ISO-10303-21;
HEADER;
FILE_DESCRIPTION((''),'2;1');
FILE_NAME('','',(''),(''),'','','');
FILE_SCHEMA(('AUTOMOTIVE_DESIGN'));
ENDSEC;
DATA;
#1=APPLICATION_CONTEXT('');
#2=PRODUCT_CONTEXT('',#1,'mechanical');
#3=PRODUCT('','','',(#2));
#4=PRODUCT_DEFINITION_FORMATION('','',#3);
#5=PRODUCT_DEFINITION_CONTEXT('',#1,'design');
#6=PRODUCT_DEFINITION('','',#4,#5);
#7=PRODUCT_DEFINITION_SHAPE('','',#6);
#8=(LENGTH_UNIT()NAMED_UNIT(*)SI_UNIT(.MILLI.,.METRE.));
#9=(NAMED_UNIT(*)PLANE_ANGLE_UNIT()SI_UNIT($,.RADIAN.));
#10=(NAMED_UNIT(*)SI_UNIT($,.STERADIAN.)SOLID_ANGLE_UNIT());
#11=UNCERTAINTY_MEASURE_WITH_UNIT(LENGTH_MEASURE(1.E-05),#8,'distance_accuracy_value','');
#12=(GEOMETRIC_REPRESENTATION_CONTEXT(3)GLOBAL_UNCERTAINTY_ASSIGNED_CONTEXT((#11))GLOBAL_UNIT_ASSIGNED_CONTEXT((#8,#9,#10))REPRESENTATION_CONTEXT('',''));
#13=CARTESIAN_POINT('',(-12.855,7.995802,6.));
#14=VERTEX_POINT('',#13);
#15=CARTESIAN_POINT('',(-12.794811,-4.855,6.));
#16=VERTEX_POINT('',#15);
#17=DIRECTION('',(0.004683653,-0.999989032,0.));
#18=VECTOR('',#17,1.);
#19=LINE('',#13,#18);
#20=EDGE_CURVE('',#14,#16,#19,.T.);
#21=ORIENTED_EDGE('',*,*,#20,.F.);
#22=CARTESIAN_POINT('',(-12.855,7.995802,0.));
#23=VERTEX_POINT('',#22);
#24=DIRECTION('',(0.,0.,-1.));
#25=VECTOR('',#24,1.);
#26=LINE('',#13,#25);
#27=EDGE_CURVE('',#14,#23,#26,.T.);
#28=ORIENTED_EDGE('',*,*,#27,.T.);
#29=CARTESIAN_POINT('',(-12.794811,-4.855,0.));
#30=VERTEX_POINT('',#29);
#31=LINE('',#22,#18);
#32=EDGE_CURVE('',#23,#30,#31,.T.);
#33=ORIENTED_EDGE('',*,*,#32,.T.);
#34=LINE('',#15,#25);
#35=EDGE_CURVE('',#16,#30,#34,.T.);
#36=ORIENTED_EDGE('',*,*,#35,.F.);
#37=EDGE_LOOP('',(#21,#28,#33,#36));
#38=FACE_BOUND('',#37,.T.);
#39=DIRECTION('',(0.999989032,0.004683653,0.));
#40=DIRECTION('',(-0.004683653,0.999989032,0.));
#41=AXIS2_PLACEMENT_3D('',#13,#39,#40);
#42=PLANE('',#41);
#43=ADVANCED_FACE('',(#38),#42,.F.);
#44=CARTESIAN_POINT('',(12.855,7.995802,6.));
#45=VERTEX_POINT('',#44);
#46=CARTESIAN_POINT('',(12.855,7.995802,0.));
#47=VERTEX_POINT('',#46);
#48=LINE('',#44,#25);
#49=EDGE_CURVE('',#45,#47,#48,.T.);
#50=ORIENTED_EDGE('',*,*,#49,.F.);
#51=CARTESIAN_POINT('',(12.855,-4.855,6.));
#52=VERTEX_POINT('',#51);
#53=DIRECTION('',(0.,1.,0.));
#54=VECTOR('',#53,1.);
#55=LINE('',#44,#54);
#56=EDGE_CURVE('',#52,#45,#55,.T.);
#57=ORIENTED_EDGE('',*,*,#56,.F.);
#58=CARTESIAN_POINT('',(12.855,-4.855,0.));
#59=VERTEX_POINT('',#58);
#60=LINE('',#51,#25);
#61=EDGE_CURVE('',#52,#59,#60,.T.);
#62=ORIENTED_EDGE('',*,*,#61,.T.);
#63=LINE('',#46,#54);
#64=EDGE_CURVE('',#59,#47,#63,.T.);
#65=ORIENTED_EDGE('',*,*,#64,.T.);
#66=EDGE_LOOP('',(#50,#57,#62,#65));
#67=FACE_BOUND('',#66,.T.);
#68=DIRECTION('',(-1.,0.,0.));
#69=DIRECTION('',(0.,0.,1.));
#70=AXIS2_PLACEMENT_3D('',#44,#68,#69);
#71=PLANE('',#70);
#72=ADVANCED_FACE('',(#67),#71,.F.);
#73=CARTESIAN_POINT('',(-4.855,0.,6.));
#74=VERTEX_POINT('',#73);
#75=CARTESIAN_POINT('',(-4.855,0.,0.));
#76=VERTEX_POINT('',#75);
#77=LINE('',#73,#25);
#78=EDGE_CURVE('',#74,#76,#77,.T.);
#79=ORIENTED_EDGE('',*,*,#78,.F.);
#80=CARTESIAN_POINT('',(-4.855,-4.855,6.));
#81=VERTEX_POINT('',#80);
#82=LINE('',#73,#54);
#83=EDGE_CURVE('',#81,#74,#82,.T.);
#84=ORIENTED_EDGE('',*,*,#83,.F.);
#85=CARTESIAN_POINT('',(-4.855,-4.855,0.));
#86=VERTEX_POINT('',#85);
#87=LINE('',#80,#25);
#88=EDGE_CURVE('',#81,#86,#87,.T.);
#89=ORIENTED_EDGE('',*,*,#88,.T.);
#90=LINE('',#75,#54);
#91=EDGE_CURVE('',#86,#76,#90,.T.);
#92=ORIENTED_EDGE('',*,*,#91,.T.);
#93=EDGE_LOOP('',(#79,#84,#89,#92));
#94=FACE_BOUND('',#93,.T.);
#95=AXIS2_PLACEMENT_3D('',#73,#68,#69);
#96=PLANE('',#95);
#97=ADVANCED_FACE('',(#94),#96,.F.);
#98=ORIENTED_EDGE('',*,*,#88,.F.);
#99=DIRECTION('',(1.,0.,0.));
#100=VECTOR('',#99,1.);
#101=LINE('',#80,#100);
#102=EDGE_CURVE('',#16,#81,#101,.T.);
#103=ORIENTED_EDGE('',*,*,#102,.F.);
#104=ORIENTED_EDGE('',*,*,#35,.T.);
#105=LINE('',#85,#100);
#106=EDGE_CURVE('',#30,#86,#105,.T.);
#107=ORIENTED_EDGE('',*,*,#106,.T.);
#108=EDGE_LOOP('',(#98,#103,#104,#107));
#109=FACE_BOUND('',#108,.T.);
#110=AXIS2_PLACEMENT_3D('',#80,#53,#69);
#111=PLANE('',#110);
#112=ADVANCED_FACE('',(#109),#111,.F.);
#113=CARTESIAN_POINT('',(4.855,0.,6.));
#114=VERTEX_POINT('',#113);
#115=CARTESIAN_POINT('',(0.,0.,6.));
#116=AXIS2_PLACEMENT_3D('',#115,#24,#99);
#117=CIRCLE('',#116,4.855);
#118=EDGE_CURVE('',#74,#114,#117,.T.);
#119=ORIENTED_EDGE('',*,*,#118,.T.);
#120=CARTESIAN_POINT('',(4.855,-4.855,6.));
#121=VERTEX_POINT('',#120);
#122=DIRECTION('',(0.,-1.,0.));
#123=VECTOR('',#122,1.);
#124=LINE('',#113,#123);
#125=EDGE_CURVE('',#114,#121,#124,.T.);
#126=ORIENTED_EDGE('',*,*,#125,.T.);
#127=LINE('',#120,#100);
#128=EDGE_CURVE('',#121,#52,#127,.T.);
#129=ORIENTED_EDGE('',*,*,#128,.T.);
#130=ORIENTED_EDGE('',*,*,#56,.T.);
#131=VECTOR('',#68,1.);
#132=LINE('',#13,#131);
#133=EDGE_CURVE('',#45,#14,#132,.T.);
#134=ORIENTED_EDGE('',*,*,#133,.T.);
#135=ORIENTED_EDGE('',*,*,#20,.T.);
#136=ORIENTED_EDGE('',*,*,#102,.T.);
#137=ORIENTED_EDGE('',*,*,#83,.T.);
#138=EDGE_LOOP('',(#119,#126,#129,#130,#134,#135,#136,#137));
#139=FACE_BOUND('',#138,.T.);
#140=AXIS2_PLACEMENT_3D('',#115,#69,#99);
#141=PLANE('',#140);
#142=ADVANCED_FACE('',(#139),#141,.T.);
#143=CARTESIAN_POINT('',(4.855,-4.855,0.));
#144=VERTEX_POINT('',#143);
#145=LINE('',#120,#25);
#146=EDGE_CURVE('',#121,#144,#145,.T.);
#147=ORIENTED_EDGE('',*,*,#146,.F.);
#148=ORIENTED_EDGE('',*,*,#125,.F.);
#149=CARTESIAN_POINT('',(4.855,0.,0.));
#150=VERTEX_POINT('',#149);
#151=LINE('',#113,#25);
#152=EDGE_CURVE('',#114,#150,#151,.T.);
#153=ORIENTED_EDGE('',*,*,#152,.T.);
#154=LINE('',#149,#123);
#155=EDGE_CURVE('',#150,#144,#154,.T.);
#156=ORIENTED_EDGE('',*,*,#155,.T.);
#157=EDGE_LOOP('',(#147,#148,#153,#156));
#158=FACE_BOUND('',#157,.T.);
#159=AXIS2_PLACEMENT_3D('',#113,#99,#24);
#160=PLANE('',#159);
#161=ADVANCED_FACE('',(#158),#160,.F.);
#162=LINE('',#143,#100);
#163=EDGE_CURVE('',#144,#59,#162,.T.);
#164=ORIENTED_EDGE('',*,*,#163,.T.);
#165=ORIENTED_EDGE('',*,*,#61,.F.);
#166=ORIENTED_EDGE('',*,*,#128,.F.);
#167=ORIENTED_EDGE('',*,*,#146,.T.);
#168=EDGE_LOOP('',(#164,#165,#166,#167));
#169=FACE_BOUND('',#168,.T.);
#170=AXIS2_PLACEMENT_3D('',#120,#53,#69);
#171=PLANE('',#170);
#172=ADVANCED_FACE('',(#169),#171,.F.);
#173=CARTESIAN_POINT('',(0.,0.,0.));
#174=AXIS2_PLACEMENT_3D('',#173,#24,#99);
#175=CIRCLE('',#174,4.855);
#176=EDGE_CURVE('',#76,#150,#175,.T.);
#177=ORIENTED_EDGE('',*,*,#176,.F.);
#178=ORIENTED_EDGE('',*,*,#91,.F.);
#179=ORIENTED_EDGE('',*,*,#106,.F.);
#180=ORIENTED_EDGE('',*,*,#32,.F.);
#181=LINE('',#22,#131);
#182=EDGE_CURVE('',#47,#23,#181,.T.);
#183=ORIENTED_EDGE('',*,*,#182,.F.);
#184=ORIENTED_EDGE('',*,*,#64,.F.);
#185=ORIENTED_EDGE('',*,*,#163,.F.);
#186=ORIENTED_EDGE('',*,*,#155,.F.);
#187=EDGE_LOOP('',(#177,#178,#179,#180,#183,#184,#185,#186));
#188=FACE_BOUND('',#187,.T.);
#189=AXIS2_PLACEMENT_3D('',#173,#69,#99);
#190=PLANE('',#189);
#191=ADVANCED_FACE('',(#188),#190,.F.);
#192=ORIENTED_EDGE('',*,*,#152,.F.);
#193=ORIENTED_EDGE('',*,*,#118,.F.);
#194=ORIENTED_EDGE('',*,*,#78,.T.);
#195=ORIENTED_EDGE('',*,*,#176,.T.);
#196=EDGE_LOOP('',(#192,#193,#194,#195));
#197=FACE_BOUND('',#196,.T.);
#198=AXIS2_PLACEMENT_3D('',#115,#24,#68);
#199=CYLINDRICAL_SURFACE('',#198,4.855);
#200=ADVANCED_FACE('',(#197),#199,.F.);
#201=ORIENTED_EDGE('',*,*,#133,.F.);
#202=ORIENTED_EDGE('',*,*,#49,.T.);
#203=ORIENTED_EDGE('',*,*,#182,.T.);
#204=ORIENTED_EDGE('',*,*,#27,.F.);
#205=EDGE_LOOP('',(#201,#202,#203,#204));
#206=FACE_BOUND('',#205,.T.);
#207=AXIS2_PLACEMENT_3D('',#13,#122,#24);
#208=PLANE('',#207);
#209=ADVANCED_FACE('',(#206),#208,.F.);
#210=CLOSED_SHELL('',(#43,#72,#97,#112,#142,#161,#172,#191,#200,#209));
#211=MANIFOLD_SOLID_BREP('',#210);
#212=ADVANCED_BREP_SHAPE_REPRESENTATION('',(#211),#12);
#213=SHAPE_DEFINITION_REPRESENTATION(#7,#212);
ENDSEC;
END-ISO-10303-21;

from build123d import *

# Parameters (mm, degrees)
BOSS_EXTRUDE2_DEPTH = 6


with BuildPart() as part:
    # Sketch1 → Boss-Extrude2 (new body)
    with BuildSketch(Plane.XY):
        with BuildLine():
            Line((-12.855, 7.995802232), (-12.794810638, -4.855))
            Line((-12.794810638, -4.855), (-4.855, -4.855))
            Line((-4.855, -4.855), (-4.855, 0))
            ThreePointArc((-4.855, 0), (0, 4.855), (4.855, 0))
            Line((4.855, 0), (4.855, -4.855))
            Line((4.855, -4.855), (12.855, -4.855))
            Line((12.855, -4.855), (12.855, 7.995802232))
            Line((12.855, 7.995802232), (-12.855, 7.995802232))
        make_face()
    extrude(amount=BOSS_EXTRUDE2_DEPTH)


solid = part.part
